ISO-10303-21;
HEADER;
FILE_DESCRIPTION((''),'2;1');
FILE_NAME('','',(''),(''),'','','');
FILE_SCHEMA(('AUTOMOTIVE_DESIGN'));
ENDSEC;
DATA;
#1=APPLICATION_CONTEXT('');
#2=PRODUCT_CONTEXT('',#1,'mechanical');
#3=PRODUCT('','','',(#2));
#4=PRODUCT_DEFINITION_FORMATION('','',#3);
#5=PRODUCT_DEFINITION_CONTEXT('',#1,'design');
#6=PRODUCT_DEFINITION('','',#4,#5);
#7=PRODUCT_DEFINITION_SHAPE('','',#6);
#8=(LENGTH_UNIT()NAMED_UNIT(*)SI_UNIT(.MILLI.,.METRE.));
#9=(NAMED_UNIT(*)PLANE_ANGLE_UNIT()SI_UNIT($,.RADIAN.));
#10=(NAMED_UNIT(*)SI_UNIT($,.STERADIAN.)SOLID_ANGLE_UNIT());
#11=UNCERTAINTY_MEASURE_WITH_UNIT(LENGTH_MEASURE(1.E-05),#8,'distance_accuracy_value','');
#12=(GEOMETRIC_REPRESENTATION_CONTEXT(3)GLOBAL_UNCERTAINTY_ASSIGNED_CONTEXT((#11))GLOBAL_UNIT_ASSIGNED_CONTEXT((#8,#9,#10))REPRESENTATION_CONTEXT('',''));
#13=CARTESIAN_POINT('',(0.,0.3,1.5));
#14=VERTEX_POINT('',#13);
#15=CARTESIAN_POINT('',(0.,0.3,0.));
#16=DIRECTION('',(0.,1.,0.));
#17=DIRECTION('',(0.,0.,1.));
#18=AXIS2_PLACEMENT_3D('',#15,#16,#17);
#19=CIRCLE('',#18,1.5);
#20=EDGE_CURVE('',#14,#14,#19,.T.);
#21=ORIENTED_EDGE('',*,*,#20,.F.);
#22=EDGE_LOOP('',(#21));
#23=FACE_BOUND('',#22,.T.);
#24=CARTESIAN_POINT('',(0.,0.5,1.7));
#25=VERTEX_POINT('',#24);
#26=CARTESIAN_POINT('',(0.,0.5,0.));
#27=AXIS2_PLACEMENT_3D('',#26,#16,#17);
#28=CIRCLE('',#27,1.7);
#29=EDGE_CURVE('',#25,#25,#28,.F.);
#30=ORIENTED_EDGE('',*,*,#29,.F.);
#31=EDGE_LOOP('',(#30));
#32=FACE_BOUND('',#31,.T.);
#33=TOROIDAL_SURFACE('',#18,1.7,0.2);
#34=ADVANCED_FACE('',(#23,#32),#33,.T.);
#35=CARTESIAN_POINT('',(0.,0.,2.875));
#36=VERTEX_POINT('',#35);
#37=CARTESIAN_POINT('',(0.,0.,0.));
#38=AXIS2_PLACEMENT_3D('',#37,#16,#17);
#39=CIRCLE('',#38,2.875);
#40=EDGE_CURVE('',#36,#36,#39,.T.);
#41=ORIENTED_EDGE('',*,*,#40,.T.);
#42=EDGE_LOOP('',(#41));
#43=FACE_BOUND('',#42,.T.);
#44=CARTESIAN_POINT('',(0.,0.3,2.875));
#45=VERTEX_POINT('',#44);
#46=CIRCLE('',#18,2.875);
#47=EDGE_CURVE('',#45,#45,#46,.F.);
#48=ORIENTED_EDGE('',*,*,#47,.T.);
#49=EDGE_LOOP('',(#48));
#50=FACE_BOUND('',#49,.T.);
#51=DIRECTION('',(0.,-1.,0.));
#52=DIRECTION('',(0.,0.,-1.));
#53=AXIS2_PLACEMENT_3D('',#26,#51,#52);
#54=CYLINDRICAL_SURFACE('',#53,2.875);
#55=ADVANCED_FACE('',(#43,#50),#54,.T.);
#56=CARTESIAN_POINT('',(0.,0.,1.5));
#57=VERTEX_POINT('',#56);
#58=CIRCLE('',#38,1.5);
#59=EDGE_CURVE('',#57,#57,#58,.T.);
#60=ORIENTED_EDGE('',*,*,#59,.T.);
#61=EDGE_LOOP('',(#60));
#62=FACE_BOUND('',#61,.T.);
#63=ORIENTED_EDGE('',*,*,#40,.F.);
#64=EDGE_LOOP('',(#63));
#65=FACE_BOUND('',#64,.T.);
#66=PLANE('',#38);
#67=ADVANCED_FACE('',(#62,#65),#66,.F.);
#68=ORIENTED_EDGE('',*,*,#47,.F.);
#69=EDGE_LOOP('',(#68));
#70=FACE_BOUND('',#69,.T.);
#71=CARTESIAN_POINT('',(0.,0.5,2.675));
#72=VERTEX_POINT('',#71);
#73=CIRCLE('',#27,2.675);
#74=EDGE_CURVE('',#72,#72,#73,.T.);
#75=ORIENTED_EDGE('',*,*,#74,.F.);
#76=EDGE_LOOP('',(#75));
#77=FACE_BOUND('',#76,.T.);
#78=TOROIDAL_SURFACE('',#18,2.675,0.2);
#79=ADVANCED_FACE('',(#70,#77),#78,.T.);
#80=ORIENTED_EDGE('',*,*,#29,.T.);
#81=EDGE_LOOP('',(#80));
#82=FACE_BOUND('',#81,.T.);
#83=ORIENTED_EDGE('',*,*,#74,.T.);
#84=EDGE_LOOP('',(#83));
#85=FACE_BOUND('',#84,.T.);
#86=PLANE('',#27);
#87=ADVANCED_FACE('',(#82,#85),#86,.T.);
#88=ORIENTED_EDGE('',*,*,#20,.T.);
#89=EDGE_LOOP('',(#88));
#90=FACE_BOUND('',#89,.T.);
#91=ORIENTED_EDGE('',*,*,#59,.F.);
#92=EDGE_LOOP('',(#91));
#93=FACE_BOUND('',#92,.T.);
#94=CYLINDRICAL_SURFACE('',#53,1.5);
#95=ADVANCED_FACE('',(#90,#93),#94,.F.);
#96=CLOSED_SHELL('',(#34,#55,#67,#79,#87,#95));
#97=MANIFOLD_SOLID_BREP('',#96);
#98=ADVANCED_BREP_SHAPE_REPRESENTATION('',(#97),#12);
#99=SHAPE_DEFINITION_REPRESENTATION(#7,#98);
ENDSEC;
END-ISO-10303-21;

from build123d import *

# Parameters (mm, degrees)
SKETCH1_R           = 2.875
SKETCH1_R_2         = 1.5
BOSS_EXTRUDE1_DEPTH = 0.5
FILLET1_R           = 0.2


with BuildPart() as part:
    # Sketch1 → Boss-Extrude1 (new body)
    with BuildSketch(Plane(origin=(0, 0, 0), x_dir=(1, 0, 0), z_dir=(0, 1, 0))):
        with Locations(Location((0, 0, 0), (0, 0, 270))):
            Circle(SKETCH1_R)
        with Locations(Location((0, 0, 0), (0, 0, 270))):
            Circle(SKETCH1_R_2, mode=Mode.SUBTRACT)
    extrude(amount=BOSS_EXTRUDE1_DEPTH)

    # Fillet1
    fillet1_edges = [part.edges().sort_by_distance(p)[0] for p in [
        (0, 0.5, -2.875),
        (0, 0.5, -1.5),
    ]]
    fillet(fillet1_edges, radius=FILLET1_R)


solid = part.part
